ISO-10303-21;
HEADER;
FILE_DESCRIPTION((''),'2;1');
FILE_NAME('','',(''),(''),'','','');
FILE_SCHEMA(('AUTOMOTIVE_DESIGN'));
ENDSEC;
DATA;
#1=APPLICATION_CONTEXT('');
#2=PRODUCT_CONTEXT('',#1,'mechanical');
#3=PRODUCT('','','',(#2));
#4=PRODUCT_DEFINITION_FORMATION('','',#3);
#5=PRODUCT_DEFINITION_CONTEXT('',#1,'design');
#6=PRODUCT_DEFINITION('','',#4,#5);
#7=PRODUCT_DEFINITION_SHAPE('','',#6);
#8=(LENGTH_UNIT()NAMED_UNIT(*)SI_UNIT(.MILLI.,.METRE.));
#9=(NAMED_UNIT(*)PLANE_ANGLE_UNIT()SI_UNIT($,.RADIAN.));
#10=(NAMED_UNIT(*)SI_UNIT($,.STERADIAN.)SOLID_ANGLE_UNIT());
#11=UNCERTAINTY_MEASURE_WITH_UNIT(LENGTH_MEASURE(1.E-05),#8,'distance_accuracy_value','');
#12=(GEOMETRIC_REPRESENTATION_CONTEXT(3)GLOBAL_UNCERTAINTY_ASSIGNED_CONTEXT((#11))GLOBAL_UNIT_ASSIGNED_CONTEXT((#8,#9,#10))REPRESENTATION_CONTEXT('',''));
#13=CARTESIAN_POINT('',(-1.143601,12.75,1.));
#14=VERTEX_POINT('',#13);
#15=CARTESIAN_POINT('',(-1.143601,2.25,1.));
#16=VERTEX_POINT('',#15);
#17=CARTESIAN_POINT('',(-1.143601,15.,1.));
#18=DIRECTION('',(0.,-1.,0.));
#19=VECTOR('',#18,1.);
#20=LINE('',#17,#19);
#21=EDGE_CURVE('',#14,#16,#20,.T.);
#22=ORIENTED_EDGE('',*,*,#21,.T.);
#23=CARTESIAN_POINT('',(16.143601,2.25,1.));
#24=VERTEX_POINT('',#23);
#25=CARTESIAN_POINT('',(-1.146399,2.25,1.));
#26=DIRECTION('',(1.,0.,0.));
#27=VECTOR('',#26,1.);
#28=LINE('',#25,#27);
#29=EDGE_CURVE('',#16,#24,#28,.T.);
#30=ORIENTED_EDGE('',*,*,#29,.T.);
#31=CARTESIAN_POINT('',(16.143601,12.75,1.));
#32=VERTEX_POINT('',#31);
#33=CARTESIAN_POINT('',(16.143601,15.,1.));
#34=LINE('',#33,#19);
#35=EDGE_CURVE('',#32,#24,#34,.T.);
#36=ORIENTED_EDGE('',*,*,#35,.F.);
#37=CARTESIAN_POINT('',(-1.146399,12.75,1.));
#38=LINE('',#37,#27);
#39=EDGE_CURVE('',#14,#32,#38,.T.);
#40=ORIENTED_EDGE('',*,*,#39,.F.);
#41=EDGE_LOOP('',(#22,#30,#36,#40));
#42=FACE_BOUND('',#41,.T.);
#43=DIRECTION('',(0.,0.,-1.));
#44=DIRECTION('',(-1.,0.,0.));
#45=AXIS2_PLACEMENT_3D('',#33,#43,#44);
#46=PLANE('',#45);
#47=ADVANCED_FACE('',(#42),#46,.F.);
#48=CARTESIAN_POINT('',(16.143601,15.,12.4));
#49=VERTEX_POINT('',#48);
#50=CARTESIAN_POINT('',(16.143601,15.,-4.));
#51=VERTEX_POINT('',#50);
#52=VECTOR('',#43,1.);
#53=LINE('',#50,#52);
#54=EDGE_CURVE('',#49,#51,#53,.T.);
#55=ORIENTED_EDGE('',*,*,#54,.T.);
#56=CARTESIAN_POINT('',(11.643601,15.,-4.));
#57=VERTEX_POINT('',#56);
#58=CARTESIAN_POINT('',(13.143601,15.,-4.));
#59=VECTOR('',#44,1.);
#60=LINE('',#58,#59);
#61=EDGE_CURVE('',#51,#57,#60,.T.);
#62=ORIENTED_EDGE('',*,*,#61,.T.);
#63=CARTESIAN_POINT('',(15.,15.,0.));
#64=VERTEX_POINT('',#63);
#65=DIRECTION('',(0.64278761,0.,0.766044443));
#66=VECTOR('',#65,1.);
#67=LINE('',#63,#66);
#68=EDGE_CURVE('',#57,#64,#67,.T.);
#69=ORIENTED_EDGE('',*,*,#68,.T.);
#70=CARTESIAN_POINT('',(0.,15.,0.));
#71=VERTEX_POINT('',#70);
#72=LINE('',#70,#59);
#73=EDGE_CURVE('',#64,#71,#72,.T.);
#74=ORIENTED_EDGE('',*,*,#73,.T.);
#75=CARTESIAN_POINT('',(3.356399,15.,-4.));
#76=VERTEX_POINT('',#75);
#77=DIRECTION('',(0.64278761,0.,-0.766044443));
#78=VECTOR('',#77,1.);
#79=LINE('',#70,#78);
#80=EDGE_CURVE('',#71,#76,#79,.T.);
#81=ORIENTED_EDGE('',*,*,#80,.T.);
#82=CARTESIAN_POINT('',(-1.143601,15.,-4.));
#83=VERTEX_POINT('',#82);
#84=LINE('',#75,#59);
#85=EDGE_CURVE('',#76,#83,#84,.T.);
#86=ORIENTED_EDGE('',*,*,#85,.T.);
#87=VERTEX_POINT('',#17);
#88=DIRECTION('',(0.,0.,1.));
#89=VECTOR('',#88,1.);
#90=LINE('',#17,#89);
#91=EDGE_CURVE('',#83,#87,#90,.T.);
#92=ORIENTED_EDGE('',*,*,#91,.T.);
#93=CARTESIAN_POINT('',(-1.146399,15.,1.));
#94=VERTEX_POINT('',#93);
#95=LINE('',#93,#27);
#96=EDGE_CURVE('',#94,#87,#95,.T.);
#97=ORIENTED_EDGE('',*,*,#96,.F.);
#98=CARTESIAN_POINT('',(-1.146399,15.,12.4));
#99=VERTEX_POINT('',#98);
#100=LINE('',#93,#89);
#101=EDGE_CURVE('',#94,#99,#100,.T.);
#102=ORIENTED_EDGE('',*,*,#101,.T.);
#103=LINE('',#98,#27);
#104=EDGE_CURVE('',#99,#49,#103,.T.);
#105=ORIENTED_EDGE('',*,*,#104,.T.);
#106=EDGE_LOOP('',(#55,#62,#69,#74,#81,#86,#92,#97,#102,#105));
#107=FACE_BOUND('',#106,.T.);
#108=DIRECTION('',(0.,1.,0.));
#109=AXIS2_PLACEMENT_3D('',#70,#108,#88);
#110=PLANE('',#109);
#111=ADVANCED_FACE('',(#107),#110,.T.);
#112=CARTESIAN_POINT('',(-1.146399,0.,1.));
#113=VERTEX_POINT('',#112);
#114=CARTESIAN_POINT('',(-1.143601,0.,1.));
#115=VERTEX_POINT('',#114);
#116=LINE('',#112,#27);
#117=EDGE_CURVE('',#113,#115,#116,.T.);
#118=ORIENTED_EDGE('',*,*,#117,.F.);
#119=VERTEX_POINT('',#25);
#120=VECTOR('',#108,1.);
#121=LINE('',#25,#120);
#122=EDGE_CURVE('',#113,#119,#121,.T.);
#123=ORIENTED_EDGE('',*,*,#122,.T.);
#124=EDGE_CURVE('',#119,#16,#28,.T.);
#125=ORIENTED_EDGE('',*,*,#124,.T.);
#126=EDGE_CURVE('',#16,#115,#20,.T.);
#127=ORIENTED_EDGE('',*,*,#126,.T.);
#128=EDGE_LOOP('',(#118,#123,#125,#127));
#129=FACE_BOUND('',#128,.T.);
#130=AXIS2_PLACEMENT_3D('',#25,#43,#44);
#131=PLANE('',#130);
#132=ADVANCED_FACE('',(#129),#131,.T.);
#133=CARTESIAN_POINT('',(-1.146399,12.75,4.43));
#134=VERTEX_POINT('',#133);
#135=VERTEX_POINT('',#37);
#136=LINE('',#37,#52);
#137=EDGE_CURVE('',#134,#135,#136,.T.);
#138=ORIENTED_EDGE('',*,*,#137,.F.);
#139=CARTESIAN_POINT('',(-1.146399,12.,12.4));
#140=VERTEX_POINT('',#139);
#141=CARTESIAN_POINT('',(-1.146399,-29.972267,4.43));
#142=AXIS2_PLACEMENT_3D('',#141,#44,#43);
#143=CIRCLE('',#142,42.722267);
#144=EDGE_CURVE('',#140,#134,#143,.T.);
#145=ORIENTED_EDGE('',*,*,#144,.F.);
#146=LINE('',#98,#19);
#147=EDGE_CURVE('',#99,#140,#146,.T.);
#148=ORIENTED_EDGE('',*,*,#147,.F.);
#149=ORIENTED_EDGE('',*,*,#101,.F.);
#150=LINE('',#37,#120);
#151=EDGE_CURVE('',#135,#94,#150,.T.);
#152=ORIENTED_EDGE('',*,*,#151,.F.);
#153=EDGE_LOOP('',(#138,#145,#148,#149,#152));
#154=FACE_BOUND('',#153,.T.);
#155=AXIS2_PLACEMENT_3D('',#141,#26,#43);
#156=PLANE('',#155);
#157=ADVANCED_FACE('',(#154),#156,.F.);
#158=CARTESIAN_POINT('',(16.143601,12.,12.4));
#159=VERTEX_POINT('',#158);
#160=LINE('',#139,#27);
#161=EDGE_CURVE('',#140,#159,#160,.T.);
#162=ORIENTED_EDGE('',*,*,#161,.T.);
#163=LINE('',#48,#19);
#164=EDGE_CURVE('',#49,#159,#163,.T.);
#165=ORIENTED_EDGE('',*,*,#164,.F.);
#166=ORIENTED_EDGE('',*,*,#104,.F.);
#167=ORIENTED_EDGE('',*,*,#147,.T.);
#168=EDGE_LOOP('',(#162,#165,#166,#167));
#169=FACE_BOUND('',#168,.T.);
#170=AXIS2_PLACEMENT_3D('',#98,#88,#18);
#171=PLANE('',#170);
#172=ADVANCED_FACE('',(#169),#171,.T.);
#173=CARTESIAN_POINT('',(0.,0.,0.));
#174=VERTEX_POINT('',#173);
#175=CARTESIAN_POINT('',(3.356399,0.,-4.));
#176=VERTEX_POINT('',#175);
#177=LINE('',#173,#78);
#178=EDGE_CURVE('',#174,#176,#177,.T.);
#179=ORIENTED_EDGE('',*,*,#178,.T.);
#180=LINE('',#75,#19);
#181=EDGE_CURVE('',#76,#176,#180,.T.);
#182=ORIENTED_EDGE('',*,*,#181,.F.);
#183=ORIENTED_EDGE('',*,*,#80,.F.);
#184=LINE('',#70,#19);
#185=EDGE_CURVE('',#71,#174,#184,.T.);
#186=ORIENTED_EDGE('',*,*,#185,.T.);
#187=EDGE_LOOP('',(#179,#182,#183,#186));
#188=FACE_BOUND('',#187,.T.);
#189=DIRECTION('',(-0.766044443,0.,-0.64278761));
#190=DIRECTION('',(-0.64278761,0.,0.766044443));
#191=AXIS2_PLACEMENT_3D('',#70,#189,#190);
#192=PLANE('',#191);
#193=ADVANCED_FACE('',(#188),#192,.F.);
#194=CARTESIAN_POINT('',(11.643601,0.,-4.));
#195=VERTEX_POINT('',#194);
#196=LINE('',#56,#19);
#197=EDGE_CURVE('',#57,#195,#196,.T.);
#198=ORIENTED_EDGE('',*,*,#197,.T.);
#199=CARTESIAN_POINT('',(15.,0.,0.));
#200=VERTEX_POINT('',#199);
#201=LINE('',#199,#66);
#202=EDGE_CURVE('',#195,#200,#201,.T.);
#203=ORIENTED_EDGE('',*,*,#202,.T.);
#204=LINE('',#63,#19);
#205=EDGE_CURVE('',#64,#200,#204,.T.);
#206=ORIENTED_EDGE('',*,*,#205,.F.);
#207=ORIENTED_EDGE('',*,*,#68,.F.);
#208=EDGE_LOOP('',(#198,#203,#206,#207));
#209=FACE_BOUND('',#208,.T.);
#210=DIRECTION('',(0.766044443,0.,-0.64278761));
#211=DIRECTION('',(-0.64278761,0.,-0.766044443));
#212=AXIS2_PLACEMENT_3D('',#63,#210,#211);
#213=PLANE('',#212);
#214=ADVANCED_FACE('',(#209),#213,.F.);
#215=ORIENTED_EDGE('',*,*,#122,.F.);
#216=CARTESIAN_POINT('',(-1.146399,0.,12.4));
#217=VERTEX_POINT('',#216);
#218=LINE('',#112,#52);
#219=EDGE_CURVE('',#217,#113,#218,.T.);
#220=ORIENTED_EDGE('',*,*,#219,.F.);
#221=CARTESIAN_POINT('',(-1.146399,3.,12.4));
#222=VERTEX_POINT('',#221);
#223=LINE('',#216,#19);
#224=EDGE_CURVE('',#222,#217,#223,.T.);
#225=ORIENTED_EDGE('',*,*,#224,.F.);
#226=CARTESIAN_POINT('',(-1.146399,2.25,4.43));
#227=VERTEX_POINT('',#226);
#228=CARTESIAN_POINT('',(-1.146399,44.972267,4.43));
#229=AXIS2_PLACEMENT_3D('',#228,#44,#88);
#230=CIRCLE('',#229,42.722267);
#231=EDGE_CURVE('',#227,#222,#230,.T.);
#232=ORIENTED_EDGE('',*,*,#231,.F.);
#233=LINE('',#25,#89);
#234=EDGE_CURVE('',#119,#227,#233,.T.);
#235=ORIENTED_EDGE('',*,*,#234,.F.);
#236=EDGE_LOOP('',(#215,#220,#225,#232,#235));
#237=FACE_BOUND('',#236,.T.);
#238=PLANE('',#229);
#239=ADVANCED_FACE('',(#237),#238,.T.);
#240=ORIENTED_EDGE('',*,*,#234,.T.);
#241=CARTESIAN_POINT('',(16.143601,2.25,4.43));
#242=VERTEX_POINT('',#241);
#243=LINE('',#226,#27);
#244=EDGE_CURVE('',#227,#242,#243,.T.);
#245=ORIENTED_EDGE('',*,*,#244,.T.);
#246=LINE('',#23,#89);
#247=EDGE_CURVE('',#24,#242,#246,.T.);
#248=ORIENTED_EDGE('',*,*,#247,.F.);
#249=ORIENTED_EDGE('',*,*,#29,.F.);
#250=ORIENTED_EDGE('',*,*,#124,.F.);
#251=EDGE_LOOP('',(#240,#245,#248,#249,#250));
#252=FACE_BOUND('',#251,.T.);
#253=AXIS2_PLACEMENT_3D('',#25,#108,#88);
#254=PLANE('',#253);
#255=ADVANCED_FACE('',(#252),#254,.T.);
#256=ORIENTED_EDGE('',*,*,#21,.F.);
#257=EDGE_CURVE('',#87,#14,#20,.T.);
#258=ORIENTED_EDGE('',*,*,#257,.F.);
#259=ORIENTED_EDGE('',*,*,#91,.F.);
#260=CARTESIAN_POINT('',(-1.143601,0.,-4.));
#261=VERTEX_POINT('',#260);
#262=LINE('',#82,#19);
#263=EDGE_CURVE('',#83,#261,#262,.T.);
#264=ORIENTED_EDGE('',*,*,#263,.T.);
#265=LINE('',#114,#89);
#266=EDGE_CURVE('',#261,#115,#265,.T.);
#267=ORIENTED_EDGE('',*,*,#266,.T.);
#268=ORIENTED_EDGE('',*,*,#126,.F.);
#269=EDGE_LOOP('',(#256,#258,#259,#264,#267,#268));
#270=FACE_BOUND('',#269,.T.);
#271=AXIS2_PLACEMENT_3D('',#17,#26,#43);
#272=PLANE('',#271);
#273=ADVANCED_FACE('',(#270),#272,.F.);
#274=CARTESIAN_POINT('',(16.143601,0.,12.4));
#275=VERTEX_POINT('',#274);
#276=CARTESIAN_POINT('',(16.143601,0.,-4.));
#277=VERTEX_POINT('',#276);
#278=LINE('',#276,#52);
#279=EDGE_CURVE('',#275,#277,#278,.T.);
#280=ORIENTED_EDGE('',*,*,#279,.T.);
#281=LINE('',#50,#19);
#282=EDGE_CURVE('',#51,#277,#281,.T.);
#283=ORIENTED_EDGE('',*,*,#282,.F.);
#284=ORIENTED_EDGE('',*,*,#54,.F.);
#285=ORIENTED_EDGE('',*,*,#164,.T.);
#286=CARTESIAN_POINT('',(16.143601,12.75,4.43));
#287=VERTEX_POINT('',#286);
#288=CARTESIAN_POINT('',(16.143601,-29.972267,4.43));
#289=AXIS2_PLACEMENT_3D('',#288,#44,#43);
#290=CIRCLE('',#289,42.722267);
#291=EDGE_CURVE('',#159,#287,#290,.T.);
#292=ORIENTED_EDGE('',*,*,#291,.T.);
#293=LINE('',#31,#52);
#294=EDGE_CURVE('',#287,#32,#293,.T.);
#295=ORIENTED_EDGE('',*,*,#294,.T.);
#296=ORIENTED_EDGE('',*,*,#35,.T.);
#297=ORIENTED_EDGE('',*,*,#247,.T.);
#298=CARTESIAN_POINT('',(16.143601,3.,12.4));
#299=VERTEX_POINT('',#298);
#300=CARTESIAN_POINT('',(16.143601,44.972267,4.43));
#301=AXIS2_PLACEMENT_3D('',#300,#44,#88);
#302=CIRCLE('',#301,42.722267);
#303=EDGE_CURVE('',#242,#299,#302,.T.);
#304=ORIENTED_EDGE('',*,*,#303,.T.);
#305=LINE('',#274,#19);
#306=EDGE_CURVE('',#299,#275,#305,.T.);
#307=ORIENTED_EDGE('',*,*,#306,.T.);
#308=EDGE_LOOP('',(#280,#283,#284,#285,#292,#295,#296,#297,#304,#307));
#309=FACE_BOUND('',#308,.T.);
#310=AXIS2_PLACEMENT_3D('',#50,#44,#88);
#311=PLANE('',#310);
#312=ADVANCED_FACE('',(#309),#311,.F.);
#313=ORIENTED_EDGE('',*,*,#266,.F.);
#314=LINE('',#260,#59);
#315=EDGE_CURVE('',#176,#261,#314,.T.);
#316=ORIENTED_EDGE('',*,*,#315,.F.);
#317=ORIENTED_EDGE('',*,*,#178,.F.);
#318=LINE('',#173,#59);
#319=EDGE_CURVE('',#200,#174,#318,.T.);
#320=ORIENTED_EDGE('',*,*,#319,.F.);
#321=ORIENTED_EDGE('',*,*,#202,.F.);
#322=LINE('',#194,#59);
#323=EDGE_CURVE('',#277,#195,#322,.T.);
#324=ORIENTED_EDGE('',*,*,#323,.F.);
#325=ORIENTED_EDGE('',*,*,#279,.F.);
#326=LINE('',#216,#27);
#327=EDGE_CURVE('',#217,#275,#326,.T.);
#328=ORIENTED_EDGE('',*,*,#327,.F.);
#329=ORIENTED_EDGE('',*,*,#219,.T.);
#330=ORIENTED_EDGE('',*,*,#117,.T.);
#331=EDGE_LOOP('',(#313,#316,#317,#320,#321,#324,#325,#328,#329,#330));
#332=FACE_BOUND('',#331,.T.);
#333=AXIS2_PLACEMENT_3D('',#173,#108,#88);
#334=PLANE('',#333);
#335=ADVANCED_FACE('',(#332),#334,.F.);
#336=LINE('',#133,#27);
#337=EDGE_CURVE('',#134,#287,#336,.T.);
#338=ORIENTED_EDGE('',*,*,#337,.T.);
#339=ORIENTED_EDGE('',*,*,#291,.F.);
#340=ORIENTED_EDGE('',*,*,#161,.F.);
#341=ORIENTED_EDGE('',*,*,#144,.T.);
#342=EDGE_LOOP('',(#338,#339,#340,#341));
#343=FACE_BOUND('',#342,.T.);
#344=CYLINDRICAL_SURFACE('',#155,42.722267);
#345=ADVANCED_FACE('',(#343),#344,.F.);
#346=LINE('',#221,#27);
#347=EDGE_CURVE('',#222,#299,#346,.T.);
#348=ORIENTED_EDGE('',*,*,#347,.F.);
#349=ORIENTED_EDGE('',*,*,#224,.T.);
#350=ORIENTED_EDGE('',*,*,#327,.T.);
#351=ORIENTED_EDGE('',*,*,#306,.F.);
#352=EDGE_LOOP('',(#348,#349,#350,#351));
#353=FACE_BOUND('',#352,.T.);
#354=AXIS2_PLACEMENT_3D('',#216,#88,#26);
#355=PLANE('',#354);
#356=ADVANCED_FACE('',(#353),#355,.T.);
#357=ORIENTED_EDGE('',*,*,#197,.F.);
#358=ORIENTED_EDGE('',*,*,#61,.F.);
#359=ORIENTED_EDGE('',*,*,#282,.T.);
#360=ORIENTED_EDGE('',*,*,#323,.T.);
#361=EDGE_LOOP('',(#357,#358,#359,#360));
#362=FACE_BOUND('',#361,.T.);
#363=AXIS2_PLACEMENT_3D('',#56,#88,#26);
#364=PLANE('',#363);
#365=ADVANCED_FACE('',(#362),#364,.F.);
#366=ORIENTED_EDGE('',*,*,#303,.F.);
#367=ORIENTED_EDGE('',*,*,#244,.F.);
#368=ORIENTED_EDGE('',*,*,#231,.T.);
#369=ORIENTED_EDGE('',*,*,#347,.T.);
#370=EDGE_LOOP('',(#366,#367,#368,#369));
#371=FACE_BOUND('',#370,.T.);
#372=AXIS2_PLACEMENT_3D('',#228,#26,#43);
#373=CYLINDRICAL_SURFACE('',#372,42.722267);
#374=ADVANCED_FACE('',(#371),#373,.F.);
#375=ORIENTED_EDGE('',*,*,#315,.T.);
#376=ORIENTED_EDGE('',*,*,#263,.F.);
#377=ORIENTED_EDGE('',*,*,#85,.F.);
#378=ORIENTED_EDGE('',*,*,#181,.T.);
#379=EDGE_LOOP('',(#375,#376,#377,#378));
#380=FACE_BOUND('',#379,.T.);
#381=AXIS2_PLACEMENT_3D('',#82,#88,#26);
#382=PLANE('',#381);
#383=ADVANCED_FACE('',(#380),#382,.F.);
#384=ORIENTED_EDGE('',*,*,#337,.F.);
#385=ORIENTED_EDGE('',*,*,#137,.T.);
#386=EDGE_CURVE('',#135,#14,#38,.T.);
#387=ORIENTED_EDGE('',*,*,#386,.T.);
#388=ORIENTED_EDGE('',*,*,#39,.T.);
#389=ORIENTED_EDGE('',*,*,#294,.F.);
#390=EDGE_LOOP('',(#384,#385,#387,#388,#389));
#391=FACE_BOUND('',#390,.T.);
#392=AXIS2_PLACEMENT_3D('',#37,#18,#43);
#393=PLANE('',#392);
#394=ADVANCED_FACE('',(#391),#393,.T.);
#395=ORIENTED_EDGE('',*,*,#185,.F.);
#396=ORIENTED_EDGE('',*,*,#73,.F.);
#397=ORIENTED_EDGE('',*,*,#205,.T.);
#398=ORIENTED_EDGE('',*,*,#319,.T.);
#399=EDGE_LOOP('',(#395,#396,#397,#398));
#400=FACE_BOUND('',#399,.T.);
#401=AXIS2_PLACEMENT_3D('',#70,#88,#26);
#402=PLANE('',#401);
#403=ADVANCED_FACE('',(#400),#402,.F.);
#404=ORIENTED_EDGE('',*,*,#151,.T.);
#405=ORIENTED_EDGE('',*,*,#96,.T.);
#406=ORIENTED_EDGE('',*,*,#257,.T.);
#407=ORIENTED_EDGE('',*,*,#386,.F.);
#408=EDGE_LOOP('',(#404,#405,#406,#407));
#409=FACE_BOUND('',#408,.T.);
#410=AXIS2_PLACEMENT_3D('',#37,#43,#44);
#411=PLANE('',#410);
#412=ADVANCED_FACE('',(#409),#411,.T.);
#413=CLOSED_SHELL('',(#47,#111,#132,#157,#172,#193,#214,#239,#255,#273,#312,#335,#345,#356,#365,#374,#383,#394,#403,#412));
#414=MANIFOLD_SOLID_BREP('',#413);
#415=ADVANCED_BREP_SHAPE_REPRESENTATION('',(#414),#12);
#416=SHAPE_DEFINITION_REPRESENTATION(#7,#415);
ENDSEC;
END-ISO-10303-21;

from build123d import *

# Parameters (mm, degrees)
BOSS_EXTRUDE1_DEPTH = 15
BOSS_EXTRUDE2_DEPTH = 17.29


with BuildPart() as part:
    # Sketch2 → Boss-Extrude1 (new body)
    with BuildSketch(Plane(origin=(0, 0, 0), x_dir=(1, 0, 0), z_dir=(0, 1, 0))):
        Polygon((0, 0), (15, 0), (11.643601475, 4), (13.143601475, 4), (16.143601475, 4), (16.143601475, -1), (-1.143601475, -1), (-1.143601475, 4), (1.856398525, 4), (3.356398525, 4), align=None)
    extrude(amount=BOSS_EXTRUDE1_DEPTH)

    # Sketch5 → Boss-Extrude2 (add)
    with BuildSketch(Plane(origin=(16.143601475, 0, 0), x_dir=(0, 0, -1), z_dir=(1, 0, 0))):
        with BuildLine():
            Line((-1, 2.25), (-4.43, 2.25))
            ThreePointArc((-4.43, 2.25), (-8.432605401, 2.437913267), (-12.4, 3))
            Line((-12.4, 3), (-12.4, 0))
            Line((-12.4, 0), (-1, 0))
            Line((-1, 0), (-1, 2.25))
        make_face()
        with BuildLine():
            Line((-1, 12.75), (-4.43, 12.75))
            ThreePointArc((-4.43, 12.75), (-8.432605401, 12.562086733), (-12.4, 12))
            Line((-12.4, 12), (-12.4, 15))
            Line((-12.4, 15), (-1, 15))
            Line((-1, 15), (-1, 12.75))
        make_face()
    extrude(amount=-BOSS_EXTRUDE2_DEPTH)


solid = part.part
